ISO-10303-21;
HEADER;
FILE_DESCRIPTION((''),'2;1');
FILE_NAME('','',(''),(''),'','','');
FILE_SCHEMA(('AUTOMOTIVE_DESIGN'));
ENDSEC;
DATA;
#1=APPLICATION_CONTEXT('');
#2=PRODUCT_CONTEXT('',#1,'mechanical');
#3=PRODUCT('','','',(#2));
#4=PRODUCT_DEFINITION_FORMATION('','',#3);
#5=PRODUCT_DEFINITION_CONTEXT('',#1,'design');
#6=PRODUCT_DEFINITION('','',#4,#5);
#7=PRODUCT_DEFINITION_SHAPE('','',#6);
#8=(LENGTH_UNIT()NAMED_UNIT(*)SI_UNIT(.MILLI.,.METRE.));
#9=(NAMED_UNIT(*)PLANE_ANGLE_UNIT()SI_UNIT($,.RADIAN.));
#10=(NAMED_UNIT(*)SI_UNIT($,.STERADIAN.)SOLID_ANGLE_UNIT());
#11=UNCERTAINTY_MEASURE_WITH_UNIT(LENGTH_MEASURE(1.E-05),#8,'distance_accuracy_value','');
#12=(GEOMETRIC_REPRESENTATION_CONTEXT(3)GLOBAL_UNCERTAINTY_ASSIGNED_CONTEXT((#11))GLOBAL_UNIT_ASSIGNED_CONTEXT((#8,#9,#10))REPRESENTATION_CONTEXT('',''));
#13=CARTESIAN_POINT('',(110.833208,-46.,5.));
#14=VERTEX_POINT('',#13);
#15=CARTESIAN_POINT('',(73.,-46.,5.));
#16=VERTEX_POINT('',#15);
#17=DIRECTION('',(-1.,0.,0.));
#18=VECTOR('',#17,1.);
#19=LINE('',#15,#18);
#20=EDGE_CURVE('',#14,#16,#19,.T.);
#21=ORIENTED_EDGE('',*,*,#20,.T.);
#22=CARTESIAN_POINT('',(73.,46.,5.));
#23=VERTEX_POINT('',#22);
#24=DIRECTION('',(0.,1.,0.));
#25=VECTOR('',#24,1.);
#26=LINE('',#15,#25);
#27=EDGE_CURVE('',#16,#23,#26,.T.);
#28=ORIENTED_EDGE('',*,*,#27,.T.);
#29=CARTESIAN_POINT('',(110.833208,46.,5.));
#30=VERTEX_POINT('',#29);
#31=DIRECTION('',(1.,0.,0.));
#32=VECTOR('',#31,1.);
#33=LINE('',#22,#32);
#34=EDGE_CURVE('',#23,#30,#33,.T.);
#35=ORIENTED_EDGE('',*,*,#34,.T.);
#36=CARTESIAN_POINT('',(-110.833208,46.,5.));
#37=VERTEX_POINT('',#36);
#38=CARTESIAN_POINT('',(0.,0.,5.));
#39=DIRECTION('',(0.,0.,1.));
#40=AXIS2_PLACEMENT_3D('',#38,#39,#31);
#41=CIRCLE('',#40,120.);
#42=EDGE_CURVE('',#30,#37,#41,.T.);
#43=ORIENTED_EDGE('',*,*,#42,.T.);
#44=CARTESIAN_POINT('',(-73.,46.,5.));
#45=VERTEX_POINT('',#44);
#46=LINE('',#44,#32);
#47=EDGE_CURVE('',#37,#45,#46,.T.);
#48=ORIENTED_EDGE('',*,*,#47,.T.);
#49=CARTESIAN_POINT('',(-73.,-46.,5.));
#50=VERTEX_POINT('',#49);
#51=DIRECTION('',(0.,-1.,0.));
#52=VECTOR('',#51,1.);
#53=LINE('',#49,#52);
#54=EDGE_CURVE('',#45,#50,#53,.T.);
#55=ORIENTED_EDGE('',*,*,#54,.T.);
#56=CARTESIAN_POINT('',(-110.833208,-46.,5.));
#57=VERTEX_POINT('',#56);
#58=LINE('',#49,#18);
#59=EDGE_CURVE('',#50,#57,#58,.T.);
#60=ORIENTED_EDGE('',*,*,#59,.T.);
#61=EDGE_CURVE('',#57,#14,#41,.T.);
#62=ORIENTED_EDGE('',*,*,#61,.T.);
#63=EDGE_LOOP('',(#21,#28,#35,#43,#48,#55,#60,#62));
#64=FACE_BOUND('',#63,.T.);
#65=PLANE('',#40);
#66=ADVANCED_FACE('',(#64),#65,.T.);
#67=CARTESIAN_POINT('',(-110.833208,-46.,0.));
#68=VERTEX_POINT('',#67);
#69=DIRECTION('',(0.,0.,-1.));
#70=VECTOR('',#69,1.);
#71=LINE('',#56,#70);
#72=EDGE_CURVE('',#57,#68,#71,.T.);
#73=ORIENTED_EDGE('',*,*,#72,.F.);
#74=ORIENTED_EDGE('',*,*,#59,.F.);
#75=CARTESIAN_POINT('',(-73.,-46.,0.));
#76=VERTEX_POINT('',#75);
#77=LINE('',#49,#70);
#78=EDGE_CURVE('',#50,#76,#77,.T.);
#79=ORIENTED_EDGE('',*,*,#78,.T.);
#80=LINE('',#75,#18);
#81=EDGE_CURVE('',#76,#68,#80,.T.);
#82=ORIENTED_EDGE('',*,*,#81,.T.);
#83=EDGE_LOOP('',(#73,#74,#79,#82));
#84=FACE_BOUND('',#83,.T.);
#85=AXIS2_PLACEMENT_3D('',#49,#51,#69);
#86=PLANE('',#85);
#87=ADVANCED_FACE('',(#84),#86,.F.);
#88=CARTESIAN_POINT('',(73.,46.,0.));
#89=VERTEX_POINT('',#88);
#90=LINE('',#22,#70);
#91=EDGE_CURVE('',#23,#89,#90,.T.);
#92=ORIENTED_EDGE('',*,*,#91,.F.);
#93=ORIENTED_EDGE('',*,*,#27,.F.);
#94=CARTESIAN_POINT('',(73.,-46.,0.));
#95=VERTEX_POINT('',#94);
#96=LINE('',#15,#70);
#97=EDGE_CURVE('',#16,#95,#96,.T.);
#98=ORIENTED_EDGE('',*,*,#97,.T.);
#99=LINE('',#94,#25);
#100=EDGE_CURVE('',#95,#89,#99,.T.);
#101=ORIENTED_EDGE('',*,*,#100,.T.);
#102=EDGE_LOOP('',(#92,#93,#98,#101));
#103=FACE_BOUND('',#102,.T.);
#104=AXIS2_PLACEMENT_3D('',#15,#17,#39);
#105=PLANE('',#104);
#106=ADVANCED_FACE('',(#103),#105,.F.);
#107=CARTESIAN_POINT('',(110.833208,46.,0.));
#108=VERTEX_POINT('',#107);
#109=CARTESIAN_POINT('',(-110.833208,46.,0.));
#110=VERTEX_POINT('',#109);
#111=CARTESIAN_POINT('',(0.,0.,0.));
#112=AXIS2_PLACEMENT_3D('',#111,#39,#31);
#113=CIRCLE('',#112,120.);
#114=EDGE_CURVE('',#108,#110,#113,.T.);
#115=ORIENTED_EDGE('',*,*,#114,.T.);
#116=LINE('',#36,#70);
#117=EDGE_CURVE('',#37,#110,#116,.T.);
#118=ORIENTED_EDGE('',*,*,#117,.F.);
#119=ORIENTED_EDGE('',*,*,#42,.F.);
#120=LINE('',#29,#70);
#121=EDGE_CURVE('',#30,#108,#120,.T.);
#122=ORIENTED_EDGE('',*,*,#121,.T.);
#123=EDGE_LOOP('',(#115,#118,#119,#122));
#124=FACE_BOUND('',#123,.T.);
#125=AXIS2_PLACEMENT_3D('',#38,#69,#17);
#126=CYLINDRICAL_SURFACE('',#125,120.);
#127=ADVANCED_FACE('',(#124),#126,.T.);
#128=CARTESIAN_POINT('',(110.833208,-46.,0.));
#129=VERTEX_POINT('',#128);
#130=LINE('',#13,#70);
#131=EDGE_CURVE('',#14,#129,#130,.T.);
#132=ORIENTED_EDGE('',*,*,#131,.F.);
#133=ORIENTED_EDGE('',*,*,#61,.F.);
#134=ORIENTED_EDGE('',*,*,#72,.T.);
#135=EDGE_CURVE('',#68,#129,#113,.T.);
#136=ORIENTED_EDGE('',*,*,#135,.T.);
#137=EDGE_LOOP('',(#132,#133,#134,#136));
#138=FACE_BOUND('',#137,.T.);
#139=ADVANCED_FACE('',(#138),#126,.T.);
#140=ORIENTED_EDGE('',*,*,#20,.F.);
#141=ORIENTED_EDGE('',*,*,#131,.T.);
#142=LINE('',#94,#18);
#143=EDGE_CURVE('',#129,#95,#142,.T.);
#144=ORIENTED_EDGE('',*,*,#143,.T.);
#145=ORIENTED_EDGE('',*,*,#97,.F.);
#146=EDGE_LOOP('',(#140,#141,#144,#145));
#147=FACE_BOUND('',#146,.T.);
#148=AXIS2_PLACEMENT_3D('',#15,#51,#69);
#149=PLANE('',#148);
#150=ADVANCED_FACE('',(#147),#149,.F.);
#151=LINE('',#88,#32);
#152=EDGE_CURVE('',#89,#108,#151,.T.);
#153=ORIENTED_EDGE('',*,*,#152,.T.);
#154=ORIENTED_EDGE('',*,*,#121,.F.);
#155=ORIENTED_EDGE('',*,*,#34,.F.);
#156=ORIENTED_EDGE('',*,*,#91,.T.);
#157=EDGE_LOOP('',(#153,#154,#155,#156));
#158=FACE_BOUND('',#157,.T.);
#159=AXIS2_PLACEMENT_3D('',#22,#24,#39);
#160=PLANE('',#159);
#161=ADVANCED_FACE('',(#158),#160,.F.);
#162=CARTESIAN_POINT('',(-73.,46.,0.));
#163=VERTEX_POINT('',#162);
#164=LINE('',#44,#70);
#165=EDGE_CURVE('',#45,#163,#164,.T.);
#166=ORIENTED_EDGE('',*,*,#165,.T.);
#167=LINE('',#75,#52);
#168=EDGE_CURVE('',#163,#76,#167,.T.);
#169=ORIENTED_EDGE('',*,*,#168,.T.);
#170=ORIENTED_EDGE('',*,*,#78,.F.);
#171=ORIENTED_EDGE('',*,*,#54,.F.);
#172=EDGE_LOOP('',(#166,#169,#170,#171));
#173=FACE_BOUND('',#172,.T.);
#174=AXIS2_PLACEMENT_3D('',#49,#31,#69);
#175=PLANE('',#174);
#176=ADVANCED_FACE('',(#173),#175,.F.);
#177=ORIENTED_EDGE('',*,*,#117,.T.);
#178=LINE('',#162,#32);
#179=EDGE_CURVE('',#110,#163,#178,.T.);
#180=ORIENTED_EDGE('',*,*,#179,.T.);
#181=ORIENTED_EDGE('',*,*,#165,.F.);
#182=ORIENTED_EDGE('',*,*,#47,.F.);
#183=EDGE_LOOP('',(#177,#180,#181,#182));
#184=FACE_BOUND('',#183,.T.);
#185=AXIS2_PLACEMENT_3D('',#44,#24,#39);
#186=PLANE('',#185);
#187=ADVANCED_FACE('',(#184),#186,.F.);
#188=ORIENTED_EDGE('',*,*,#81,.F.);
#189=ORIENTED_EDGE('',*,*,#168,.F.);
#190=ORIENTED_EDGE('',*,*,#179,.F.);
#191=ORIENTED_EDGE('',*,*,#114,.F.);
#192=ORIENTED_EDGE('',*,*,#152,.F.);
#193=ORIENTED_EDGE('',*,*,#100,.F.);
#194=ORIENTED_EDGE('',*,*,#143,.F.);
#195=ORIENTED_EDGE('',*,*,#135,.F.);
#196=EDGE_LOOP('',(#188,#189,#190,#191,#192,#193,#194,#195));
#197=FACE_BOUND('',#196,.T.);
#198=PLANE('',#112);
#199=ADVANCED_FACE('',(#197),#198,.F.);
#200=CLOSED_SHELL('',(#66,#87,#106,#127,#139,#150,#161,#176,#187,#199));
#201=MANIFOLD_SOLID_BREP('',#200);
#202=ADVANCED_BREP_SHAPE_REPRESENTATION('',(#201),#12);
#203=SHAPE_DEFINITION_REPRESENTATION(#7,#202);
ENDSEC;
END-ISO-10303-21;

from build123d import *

# Parameters (mm, degrees)
BOSS_EXTRUDE1_DEPTH = 5


with BuildPart() as part:
    # Sketch1 → Boss-Extrude1 (new body)
    with BuildSketch(Plane.XY):
        with BuildLine():
            Line((73, -46), (73, 46))
            Line((73, 46), (110.83320802, 46))
            ThreePointArc((110.83320802, 46), (0, 120), (-110.83320802, 46))
            Line((-110.83320802, 46), (-73, 46))
            Line((-73, 46), (-73, -46))
            Line((-73, -46), (-110.83320802, -46))
            ThreePointArc((-110.83320802, -46), (0, -120), (110.83320802, -46))
            Line((110.83320802, -46), (73, -46))
        make_face()
    extrude(amount=BOSS_EXTRUDE1_DEPTH)


solid = part.part
